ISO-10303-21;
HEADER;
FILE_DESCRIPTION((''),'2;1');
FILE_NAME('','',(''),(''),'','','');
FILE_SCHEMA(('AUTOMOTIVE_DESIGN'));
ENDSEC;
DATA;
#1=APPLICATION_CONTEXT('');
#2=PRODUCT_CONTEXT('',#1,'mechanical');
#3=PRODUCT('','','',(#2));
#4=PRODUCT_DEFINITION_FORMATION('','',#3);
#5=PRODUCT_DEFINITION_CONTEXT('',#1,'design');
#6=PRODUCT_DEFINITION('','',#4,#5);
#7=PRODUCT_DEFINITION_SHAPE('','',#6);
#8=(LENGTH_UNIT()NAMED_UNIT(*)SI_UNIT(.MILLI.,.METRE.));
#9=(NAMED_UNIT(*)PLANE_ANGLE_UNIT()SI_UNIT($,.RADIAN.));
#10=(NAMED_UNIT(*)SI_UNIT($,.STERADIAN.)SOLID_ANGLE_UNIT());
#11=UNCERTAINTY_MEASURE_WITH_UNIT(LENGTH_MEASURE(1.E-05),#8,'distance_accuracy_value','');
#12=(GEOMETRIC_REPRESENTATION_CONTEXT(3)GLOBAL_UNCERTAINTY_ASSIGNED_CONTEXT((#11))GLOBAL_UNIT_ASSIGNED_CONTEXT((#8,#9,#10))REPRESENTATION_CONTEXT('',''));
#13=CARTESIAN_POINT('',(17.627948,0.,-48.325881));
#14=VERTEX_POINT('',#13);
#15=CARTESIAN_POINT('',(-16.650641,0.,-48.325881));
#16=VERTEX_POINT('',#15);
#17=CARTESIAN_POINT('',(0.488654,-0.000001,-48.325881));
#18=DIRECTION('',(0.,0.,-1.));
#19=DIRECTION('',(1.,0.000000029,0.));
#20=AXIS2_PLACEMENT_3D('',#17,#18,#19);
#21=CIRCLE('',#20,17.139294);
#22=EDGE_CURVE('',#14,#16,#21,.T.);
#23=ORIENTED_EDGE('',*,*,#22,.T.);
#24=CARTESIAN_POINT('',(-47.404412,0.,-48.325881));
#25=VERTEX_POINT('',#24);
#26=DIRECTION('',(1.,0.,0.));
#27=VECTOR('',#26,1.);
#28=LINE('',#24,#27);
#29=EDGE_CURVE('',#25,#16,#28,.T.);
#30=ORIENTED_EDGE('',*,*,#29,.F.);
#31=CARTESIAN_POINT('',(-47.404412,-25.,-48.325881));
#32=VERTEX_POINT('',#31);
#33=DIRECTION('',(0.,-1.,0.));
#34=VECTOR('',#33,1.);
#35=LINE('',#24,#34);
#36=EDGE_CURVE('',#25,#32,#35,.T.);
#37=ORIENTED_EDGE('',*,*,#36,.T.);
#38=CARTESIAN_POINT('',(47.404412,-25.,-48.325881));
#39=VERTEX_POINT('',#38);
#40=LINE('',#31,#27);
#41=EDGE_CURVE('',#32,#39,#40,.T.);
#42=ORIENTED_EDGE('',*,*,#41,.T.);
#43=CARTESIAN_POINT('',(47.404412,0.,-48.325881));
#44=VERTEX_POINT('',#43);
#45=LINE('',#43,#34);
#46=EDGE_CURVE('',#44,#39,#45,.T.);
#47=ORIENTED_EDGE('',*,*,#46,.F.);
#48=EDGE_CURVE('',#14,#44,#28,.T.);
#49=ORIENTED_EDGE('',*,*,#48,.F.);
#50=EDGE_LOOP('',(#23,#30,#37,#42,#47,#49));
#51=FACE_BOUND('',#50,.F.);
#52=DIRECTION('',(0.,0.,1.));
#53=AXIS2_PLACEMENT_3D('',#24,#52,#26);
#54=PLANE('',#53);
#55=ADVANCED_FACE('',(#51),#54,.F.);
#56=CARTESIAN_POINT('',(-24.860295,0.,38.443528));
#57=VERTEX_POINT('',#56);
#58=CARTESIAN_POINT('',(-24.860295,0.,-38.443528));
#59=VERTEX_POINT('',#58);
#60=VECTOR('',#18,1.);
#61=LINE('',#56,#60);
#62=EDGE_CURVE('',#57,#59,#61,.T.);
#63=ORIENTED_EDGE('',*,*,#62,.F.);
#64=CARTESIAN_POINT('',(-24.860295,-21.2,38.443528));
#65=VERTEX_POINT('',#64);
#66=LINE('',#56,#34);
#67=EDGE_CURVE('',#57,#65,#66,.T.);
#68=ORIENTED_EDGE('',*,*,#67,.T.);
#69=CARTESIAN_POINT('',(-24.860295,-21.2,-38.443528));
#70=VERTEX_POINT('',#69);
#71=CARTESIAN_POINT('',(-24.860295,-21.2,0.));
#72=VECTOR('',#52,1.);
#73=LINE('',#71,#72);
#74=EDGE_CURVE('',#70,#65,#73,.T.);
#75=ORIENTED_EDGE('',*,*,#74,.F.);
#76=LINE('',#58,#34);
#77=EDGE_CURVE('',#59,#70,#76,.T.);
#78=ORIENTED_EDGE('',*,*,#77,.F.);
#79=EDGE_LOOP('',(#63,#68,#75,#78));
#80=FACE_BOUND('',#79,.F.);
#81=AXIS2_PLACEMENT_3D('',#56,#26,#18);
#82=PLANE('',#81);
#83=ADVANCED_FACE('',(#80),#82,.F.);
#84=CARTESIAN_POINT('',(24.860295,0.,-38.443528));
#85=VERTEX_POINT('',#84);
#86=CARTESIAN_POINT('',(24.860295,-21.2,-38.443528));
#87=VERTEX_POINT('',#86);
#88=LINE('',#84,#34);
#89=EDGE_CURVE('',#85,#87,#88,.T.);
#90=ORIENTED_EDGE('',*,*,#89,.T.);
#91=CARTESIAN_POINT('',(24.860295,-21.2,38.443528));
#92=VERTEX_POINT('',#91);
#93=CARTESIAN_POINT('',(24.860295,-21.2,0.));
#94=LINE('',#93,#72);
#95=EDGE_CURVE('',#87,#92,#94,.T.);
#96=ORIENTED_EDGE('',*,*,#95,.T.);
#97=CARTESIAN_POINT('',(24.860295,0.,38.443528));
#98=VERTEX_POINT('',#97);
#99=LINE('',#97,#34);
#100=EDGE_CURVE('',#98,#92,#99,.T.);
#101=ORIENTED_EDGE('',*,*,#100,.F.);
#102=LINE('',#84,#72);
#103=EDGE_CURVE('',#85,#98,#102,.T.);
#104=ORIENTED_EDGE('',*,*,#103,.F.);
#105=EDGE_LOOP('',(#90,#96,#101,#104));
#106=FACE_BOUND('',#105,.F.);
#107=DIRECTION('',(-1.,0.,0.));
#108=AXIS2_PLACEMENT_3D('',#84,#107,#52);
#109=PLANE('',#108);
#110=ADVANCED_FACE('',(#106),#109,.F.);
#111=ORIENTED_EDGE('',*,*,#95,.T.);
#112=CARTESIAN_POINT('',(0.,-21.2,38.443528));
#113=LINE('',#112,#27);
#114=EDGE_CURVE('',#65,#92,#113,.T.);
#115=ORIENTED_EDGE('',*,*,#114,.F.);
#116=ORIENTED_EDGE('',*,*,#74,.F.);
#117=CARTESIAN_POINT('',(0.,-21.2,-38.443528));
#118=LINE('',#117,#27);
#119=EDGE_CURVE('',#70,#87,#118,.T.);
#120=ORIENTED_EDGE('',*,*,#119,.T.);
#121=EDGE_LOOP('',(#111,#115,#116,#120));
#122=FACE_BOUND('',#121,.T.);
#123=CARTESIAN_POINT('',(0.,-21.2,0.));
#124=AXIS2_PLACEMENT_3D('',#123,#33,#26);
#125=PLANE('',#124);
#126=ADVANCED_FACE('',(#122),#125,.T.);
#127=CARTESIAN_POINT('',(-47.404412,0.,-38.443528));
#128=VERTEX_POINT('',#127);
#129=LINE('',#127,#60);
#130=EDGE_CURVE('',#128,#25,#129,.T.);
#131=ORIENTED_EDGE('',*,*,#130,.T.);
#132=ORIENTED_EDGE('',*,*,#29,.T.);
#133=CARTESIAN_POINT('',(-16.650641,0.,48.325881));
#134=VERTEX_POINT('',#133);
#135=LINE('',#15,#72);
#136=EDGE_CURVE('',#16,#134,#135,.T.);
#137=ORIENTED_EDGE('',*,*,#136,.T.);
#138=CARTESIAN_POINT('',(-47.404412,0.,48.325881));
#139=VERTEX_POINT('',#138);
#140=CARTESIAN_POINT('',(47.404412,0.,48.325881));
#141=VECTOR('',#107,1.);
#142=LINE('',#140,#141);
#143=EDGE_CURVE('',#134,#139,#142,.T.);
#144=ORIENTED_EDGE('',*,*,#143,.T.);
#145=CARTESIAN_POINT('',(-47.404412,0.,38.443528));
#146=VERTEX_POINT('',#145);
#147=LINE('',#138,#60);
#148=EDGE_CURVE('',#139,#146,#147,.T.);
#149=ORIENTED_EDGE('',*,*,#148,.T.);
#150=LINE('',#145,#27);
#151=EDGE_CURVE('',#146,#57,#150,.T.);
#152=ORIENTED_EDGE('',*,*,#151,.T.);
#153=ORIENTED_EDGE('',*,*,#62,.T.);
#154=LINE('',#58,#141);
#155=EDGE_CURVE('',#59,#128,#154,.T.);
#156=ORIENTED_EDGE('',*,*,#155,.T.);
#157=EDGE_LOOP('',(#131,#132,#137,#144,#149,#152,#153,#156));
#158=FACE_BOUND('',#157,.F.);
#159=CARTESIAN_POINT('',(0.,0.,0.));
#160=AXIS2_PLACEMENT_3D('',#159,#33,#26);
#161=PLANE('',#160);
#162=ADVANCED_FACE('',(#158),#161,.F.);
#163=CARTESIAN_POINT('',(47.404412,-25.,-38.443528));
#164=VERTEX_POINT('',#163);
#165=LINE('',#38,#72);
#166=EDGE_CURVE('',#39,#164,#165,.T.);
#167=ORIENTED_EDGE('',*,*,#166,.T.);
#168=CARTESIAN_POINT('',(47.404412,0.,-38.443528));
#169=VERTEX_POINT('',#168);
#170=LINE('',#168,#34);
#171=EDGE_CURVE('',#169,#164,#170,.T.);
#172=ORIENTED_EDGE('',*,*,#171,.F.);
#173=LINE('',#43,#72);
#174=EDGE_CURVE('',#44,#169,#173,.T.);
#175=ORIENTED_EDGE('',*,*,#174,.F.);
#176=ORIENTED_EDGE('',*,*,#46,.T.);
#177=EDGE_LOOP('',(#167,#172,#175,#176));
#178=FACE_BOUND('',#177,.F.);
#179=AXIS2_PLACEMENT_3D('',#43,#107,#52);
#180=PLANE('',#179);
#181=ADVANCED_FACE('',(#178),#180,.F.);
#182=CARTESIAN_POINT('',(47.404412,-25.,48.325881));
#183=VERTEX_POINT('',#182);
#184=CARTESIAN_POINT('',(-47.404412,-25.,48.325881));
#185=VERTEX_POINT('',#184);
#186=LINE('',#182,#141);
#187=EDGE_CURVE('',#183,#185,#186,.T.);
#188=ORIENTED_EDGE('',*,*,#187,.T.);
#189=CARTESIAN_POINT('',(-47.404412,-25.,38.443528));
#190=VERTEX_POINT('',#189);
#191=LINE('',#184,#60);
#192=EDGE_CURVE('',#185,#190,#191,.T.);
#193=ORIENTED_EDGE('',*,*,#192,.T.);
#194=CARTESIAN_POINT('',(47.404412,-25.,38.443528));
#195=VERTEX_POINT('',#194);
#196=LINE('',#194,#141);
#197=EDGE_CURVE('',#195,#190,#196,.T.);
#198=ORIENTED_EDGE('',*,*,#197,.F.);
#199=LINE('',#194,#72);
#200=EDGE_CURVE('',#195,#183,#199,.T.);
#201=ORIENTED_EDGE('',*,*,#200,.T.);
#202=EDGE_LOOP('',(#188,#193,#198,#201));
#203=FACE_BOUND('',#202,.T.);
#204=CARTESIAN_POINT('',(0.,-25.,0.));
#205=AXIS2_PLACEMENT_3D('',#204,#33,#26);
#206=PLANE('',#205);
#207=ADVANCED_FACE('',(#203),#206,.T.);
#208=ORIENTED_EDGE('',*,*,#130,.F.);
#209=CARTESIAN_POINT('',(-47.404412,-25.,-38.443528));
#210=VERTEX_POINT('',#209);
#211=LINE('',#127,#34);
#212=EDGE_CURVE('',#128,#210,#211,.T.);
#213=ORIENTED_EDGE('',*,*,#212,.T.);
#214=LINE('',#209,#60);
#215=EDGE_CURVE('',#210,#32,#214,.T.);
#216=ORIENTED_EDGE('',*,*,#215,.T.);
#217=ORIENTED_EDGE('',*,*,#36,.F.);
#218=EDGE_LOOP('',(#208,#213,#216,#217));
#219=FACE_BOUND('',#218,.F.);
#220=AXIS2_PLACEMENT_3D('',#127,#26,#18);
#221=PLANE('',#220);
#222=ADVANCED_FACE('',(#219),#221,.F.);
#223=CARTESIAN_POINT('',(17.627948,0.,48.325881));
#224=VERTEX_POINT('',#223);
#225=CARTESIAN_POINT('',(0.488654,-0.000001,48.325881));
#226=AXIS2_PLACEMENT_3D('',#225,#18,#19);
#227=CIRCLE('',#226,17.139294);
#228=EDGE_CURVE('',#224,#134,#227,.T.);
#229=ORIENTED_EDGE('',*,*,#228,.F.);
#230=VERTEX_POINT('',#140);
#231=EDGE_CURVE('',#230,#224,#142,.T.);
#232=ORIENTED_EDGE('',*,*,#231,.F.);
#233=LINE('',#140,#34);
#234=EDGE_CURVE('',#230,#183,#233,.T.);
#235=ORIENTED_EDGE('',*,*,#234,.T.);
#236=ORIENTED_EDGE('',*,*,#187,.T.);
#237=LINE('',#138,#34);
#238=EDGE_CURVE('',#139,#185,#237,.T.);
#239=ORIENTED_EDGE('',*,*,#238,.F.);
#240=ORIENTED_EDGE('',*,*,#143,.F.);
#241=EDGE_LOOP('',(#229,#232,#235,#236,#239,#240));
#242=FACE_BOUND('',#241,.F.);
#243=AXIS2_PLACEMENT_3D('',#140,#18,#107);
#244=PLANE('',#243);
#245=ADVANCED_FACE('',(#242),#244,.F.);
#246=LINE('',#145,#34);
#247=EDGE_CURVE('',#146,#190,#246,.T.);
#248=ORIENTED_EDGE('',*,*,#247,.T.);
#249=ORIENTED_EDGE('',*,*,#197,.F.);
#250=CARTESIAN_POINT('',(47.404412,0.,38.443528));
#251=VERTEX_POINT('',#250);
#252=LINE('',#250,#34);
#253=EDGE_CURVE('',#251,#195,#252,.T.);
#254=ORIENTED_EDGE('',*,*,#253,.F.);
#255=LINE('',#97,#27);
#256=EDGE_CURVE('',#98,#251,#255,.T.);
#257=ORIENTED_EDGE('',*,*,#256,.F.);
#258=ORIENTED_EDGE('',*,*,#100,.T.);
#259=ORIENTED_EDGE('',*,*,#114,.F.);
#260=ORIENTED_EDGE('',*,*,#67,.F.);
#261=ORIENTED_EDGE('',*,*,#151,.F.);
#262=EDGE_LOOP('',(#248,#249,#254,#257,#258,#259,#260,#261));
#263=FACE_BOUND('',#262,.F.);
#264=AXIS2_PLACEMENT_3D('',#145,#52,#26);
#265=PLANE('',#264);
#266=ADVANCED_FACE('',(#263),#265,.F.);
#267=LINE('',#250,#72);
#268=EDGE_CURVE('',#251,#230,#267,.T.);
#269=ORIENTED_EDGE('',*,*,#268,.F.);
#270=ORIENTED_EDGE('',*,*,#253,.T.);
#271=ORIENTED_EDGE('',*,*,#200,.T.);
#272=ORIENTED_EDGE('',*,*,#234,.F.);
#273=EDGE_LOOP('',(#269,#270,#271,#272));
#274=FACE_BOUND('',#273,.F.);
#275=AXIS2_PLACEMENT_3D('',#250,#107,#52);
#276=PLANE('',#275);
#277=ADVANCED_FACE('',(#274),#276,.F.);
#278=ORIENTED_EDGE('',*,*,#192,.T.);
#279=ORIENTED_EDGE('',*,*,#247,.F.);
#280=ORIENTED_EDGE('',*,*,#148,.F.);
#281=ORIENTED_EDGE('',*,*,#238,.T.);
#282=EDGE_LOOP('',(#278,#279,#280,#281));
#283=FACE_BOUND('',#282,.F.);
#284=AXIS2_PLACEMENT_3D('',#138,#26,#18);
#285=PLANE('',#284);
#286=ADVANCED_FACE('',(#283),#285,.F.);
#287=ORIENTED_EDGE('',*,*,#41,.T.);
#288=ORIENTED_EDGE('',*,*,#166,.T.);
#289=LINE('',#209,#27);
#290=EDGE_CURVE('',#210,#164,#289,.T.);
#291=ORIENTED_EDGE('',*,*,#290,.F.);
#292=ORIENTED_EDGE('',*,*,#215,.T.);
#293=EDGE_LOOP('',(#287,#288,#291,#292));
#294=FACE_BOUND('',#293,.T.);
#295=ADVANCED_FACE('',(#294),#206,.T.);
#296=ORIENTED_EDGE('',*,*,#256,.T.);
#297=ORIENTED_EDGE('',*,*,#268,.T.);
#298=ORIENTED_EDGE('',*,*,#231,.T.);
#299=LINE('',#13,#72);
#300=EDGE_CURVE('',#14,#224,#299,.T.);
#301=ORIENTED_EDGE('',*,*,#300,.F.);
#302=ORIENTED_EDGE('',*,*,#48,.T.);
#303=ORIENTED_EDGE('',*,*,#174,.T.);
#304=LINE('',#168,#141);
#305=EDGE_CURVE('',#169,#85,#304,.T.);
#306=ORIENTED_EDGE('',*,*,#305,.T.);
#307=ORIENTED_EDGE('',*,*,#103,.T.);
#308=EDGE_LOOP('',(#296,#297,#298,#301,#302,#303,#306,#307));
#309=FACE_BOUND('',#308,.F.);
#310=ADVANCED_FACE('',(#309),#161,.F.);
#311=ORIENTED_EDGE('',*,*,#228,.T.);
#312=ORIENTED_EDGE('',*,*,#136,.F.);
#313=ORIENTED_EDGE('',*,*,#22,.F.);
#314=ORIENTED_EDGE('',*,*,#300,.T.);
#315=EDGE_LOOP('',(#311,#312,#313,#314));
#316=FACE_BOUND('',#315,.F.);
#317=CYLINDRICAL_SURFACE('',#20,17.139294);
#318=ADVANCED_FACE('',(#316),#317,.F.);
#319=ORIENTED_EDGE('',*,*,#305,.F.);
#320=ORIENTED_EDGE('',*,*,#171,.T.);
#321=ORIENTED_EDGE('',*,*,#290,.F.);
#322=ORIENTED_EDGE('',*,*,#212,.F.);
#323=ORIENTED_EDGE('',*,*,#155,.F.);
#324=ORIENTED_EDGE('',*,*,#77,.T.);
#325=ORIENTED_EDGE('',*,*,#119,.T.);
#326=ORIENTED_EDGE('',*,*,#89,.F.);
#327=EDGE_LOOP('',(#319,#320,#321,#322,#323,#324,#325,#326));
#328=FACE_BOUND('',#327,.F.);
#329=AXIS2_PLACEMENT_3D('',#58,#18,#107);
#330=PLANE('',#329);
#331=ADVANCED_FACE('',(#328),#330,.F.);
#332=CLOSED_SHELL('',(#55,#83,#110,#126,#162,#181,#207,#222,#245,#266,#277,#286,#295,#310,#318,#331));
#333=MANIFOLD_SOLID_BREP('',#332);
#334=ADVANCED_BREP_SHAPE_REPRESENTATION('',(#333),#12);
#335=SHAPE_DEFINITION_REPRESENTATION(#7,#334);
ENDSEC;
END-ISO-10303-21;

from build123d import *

# Parameters (mm, degrees)
F1_DEPTH = 25
F2_W     = 49.72059
F2_H     = 76.887056
F3_DEPTH = 3.8
F5_DEPTH = 97.5


with BuildPart() as f1:
    # F0 (on Front) → F1 (new body)
    with BuildSketch(Plane.XZ):
        Polygon((0, 48.325881), (-47.404412, 48.325881), (-47.404412, 38.443528), (-24.860295, 38.443528), (-24.860295, 0), (-24.860295, -38.443528), (-47.404412, -38.443528), (-47.404412, -48.325881), (0, -48.325881), (47.404412, -48.325881), (47.404412, -38.443528), (24.860295, -38.443528), (24.860295, 0), (24.860295, 38.443528), (47.404412, 38.443528), (47.404412, 48.325881), align=None)
    extrude(amount=F1_DEPTH)

    # F2 (on face) → F3 (cut)
    with BuildSketch(Plane.XZ.offset(25)):
        Rectangle(F2_W, F2_H)
    extrude(amount=-F3_DEPTH, mode=Mode.SUBTRACT)

    # F4 (on face) → F5 (cut)
    with BuildSketch(Plane(origin=(0, 0, -48.325881), x_dir=(1, 0, 0), z_dir=(0, 0, -1))):
        with BuildLine():
            Line((-16.650641, 0), (17.627948, 0))
            ThreePointArc((17.627948, 0), (0.488654, 17.139295), (-16.650641, 0))
        make_face()
    extrude(amount=-F5_DEPTH, mode=Mode.SUBTRACT)


solid = f1.part
